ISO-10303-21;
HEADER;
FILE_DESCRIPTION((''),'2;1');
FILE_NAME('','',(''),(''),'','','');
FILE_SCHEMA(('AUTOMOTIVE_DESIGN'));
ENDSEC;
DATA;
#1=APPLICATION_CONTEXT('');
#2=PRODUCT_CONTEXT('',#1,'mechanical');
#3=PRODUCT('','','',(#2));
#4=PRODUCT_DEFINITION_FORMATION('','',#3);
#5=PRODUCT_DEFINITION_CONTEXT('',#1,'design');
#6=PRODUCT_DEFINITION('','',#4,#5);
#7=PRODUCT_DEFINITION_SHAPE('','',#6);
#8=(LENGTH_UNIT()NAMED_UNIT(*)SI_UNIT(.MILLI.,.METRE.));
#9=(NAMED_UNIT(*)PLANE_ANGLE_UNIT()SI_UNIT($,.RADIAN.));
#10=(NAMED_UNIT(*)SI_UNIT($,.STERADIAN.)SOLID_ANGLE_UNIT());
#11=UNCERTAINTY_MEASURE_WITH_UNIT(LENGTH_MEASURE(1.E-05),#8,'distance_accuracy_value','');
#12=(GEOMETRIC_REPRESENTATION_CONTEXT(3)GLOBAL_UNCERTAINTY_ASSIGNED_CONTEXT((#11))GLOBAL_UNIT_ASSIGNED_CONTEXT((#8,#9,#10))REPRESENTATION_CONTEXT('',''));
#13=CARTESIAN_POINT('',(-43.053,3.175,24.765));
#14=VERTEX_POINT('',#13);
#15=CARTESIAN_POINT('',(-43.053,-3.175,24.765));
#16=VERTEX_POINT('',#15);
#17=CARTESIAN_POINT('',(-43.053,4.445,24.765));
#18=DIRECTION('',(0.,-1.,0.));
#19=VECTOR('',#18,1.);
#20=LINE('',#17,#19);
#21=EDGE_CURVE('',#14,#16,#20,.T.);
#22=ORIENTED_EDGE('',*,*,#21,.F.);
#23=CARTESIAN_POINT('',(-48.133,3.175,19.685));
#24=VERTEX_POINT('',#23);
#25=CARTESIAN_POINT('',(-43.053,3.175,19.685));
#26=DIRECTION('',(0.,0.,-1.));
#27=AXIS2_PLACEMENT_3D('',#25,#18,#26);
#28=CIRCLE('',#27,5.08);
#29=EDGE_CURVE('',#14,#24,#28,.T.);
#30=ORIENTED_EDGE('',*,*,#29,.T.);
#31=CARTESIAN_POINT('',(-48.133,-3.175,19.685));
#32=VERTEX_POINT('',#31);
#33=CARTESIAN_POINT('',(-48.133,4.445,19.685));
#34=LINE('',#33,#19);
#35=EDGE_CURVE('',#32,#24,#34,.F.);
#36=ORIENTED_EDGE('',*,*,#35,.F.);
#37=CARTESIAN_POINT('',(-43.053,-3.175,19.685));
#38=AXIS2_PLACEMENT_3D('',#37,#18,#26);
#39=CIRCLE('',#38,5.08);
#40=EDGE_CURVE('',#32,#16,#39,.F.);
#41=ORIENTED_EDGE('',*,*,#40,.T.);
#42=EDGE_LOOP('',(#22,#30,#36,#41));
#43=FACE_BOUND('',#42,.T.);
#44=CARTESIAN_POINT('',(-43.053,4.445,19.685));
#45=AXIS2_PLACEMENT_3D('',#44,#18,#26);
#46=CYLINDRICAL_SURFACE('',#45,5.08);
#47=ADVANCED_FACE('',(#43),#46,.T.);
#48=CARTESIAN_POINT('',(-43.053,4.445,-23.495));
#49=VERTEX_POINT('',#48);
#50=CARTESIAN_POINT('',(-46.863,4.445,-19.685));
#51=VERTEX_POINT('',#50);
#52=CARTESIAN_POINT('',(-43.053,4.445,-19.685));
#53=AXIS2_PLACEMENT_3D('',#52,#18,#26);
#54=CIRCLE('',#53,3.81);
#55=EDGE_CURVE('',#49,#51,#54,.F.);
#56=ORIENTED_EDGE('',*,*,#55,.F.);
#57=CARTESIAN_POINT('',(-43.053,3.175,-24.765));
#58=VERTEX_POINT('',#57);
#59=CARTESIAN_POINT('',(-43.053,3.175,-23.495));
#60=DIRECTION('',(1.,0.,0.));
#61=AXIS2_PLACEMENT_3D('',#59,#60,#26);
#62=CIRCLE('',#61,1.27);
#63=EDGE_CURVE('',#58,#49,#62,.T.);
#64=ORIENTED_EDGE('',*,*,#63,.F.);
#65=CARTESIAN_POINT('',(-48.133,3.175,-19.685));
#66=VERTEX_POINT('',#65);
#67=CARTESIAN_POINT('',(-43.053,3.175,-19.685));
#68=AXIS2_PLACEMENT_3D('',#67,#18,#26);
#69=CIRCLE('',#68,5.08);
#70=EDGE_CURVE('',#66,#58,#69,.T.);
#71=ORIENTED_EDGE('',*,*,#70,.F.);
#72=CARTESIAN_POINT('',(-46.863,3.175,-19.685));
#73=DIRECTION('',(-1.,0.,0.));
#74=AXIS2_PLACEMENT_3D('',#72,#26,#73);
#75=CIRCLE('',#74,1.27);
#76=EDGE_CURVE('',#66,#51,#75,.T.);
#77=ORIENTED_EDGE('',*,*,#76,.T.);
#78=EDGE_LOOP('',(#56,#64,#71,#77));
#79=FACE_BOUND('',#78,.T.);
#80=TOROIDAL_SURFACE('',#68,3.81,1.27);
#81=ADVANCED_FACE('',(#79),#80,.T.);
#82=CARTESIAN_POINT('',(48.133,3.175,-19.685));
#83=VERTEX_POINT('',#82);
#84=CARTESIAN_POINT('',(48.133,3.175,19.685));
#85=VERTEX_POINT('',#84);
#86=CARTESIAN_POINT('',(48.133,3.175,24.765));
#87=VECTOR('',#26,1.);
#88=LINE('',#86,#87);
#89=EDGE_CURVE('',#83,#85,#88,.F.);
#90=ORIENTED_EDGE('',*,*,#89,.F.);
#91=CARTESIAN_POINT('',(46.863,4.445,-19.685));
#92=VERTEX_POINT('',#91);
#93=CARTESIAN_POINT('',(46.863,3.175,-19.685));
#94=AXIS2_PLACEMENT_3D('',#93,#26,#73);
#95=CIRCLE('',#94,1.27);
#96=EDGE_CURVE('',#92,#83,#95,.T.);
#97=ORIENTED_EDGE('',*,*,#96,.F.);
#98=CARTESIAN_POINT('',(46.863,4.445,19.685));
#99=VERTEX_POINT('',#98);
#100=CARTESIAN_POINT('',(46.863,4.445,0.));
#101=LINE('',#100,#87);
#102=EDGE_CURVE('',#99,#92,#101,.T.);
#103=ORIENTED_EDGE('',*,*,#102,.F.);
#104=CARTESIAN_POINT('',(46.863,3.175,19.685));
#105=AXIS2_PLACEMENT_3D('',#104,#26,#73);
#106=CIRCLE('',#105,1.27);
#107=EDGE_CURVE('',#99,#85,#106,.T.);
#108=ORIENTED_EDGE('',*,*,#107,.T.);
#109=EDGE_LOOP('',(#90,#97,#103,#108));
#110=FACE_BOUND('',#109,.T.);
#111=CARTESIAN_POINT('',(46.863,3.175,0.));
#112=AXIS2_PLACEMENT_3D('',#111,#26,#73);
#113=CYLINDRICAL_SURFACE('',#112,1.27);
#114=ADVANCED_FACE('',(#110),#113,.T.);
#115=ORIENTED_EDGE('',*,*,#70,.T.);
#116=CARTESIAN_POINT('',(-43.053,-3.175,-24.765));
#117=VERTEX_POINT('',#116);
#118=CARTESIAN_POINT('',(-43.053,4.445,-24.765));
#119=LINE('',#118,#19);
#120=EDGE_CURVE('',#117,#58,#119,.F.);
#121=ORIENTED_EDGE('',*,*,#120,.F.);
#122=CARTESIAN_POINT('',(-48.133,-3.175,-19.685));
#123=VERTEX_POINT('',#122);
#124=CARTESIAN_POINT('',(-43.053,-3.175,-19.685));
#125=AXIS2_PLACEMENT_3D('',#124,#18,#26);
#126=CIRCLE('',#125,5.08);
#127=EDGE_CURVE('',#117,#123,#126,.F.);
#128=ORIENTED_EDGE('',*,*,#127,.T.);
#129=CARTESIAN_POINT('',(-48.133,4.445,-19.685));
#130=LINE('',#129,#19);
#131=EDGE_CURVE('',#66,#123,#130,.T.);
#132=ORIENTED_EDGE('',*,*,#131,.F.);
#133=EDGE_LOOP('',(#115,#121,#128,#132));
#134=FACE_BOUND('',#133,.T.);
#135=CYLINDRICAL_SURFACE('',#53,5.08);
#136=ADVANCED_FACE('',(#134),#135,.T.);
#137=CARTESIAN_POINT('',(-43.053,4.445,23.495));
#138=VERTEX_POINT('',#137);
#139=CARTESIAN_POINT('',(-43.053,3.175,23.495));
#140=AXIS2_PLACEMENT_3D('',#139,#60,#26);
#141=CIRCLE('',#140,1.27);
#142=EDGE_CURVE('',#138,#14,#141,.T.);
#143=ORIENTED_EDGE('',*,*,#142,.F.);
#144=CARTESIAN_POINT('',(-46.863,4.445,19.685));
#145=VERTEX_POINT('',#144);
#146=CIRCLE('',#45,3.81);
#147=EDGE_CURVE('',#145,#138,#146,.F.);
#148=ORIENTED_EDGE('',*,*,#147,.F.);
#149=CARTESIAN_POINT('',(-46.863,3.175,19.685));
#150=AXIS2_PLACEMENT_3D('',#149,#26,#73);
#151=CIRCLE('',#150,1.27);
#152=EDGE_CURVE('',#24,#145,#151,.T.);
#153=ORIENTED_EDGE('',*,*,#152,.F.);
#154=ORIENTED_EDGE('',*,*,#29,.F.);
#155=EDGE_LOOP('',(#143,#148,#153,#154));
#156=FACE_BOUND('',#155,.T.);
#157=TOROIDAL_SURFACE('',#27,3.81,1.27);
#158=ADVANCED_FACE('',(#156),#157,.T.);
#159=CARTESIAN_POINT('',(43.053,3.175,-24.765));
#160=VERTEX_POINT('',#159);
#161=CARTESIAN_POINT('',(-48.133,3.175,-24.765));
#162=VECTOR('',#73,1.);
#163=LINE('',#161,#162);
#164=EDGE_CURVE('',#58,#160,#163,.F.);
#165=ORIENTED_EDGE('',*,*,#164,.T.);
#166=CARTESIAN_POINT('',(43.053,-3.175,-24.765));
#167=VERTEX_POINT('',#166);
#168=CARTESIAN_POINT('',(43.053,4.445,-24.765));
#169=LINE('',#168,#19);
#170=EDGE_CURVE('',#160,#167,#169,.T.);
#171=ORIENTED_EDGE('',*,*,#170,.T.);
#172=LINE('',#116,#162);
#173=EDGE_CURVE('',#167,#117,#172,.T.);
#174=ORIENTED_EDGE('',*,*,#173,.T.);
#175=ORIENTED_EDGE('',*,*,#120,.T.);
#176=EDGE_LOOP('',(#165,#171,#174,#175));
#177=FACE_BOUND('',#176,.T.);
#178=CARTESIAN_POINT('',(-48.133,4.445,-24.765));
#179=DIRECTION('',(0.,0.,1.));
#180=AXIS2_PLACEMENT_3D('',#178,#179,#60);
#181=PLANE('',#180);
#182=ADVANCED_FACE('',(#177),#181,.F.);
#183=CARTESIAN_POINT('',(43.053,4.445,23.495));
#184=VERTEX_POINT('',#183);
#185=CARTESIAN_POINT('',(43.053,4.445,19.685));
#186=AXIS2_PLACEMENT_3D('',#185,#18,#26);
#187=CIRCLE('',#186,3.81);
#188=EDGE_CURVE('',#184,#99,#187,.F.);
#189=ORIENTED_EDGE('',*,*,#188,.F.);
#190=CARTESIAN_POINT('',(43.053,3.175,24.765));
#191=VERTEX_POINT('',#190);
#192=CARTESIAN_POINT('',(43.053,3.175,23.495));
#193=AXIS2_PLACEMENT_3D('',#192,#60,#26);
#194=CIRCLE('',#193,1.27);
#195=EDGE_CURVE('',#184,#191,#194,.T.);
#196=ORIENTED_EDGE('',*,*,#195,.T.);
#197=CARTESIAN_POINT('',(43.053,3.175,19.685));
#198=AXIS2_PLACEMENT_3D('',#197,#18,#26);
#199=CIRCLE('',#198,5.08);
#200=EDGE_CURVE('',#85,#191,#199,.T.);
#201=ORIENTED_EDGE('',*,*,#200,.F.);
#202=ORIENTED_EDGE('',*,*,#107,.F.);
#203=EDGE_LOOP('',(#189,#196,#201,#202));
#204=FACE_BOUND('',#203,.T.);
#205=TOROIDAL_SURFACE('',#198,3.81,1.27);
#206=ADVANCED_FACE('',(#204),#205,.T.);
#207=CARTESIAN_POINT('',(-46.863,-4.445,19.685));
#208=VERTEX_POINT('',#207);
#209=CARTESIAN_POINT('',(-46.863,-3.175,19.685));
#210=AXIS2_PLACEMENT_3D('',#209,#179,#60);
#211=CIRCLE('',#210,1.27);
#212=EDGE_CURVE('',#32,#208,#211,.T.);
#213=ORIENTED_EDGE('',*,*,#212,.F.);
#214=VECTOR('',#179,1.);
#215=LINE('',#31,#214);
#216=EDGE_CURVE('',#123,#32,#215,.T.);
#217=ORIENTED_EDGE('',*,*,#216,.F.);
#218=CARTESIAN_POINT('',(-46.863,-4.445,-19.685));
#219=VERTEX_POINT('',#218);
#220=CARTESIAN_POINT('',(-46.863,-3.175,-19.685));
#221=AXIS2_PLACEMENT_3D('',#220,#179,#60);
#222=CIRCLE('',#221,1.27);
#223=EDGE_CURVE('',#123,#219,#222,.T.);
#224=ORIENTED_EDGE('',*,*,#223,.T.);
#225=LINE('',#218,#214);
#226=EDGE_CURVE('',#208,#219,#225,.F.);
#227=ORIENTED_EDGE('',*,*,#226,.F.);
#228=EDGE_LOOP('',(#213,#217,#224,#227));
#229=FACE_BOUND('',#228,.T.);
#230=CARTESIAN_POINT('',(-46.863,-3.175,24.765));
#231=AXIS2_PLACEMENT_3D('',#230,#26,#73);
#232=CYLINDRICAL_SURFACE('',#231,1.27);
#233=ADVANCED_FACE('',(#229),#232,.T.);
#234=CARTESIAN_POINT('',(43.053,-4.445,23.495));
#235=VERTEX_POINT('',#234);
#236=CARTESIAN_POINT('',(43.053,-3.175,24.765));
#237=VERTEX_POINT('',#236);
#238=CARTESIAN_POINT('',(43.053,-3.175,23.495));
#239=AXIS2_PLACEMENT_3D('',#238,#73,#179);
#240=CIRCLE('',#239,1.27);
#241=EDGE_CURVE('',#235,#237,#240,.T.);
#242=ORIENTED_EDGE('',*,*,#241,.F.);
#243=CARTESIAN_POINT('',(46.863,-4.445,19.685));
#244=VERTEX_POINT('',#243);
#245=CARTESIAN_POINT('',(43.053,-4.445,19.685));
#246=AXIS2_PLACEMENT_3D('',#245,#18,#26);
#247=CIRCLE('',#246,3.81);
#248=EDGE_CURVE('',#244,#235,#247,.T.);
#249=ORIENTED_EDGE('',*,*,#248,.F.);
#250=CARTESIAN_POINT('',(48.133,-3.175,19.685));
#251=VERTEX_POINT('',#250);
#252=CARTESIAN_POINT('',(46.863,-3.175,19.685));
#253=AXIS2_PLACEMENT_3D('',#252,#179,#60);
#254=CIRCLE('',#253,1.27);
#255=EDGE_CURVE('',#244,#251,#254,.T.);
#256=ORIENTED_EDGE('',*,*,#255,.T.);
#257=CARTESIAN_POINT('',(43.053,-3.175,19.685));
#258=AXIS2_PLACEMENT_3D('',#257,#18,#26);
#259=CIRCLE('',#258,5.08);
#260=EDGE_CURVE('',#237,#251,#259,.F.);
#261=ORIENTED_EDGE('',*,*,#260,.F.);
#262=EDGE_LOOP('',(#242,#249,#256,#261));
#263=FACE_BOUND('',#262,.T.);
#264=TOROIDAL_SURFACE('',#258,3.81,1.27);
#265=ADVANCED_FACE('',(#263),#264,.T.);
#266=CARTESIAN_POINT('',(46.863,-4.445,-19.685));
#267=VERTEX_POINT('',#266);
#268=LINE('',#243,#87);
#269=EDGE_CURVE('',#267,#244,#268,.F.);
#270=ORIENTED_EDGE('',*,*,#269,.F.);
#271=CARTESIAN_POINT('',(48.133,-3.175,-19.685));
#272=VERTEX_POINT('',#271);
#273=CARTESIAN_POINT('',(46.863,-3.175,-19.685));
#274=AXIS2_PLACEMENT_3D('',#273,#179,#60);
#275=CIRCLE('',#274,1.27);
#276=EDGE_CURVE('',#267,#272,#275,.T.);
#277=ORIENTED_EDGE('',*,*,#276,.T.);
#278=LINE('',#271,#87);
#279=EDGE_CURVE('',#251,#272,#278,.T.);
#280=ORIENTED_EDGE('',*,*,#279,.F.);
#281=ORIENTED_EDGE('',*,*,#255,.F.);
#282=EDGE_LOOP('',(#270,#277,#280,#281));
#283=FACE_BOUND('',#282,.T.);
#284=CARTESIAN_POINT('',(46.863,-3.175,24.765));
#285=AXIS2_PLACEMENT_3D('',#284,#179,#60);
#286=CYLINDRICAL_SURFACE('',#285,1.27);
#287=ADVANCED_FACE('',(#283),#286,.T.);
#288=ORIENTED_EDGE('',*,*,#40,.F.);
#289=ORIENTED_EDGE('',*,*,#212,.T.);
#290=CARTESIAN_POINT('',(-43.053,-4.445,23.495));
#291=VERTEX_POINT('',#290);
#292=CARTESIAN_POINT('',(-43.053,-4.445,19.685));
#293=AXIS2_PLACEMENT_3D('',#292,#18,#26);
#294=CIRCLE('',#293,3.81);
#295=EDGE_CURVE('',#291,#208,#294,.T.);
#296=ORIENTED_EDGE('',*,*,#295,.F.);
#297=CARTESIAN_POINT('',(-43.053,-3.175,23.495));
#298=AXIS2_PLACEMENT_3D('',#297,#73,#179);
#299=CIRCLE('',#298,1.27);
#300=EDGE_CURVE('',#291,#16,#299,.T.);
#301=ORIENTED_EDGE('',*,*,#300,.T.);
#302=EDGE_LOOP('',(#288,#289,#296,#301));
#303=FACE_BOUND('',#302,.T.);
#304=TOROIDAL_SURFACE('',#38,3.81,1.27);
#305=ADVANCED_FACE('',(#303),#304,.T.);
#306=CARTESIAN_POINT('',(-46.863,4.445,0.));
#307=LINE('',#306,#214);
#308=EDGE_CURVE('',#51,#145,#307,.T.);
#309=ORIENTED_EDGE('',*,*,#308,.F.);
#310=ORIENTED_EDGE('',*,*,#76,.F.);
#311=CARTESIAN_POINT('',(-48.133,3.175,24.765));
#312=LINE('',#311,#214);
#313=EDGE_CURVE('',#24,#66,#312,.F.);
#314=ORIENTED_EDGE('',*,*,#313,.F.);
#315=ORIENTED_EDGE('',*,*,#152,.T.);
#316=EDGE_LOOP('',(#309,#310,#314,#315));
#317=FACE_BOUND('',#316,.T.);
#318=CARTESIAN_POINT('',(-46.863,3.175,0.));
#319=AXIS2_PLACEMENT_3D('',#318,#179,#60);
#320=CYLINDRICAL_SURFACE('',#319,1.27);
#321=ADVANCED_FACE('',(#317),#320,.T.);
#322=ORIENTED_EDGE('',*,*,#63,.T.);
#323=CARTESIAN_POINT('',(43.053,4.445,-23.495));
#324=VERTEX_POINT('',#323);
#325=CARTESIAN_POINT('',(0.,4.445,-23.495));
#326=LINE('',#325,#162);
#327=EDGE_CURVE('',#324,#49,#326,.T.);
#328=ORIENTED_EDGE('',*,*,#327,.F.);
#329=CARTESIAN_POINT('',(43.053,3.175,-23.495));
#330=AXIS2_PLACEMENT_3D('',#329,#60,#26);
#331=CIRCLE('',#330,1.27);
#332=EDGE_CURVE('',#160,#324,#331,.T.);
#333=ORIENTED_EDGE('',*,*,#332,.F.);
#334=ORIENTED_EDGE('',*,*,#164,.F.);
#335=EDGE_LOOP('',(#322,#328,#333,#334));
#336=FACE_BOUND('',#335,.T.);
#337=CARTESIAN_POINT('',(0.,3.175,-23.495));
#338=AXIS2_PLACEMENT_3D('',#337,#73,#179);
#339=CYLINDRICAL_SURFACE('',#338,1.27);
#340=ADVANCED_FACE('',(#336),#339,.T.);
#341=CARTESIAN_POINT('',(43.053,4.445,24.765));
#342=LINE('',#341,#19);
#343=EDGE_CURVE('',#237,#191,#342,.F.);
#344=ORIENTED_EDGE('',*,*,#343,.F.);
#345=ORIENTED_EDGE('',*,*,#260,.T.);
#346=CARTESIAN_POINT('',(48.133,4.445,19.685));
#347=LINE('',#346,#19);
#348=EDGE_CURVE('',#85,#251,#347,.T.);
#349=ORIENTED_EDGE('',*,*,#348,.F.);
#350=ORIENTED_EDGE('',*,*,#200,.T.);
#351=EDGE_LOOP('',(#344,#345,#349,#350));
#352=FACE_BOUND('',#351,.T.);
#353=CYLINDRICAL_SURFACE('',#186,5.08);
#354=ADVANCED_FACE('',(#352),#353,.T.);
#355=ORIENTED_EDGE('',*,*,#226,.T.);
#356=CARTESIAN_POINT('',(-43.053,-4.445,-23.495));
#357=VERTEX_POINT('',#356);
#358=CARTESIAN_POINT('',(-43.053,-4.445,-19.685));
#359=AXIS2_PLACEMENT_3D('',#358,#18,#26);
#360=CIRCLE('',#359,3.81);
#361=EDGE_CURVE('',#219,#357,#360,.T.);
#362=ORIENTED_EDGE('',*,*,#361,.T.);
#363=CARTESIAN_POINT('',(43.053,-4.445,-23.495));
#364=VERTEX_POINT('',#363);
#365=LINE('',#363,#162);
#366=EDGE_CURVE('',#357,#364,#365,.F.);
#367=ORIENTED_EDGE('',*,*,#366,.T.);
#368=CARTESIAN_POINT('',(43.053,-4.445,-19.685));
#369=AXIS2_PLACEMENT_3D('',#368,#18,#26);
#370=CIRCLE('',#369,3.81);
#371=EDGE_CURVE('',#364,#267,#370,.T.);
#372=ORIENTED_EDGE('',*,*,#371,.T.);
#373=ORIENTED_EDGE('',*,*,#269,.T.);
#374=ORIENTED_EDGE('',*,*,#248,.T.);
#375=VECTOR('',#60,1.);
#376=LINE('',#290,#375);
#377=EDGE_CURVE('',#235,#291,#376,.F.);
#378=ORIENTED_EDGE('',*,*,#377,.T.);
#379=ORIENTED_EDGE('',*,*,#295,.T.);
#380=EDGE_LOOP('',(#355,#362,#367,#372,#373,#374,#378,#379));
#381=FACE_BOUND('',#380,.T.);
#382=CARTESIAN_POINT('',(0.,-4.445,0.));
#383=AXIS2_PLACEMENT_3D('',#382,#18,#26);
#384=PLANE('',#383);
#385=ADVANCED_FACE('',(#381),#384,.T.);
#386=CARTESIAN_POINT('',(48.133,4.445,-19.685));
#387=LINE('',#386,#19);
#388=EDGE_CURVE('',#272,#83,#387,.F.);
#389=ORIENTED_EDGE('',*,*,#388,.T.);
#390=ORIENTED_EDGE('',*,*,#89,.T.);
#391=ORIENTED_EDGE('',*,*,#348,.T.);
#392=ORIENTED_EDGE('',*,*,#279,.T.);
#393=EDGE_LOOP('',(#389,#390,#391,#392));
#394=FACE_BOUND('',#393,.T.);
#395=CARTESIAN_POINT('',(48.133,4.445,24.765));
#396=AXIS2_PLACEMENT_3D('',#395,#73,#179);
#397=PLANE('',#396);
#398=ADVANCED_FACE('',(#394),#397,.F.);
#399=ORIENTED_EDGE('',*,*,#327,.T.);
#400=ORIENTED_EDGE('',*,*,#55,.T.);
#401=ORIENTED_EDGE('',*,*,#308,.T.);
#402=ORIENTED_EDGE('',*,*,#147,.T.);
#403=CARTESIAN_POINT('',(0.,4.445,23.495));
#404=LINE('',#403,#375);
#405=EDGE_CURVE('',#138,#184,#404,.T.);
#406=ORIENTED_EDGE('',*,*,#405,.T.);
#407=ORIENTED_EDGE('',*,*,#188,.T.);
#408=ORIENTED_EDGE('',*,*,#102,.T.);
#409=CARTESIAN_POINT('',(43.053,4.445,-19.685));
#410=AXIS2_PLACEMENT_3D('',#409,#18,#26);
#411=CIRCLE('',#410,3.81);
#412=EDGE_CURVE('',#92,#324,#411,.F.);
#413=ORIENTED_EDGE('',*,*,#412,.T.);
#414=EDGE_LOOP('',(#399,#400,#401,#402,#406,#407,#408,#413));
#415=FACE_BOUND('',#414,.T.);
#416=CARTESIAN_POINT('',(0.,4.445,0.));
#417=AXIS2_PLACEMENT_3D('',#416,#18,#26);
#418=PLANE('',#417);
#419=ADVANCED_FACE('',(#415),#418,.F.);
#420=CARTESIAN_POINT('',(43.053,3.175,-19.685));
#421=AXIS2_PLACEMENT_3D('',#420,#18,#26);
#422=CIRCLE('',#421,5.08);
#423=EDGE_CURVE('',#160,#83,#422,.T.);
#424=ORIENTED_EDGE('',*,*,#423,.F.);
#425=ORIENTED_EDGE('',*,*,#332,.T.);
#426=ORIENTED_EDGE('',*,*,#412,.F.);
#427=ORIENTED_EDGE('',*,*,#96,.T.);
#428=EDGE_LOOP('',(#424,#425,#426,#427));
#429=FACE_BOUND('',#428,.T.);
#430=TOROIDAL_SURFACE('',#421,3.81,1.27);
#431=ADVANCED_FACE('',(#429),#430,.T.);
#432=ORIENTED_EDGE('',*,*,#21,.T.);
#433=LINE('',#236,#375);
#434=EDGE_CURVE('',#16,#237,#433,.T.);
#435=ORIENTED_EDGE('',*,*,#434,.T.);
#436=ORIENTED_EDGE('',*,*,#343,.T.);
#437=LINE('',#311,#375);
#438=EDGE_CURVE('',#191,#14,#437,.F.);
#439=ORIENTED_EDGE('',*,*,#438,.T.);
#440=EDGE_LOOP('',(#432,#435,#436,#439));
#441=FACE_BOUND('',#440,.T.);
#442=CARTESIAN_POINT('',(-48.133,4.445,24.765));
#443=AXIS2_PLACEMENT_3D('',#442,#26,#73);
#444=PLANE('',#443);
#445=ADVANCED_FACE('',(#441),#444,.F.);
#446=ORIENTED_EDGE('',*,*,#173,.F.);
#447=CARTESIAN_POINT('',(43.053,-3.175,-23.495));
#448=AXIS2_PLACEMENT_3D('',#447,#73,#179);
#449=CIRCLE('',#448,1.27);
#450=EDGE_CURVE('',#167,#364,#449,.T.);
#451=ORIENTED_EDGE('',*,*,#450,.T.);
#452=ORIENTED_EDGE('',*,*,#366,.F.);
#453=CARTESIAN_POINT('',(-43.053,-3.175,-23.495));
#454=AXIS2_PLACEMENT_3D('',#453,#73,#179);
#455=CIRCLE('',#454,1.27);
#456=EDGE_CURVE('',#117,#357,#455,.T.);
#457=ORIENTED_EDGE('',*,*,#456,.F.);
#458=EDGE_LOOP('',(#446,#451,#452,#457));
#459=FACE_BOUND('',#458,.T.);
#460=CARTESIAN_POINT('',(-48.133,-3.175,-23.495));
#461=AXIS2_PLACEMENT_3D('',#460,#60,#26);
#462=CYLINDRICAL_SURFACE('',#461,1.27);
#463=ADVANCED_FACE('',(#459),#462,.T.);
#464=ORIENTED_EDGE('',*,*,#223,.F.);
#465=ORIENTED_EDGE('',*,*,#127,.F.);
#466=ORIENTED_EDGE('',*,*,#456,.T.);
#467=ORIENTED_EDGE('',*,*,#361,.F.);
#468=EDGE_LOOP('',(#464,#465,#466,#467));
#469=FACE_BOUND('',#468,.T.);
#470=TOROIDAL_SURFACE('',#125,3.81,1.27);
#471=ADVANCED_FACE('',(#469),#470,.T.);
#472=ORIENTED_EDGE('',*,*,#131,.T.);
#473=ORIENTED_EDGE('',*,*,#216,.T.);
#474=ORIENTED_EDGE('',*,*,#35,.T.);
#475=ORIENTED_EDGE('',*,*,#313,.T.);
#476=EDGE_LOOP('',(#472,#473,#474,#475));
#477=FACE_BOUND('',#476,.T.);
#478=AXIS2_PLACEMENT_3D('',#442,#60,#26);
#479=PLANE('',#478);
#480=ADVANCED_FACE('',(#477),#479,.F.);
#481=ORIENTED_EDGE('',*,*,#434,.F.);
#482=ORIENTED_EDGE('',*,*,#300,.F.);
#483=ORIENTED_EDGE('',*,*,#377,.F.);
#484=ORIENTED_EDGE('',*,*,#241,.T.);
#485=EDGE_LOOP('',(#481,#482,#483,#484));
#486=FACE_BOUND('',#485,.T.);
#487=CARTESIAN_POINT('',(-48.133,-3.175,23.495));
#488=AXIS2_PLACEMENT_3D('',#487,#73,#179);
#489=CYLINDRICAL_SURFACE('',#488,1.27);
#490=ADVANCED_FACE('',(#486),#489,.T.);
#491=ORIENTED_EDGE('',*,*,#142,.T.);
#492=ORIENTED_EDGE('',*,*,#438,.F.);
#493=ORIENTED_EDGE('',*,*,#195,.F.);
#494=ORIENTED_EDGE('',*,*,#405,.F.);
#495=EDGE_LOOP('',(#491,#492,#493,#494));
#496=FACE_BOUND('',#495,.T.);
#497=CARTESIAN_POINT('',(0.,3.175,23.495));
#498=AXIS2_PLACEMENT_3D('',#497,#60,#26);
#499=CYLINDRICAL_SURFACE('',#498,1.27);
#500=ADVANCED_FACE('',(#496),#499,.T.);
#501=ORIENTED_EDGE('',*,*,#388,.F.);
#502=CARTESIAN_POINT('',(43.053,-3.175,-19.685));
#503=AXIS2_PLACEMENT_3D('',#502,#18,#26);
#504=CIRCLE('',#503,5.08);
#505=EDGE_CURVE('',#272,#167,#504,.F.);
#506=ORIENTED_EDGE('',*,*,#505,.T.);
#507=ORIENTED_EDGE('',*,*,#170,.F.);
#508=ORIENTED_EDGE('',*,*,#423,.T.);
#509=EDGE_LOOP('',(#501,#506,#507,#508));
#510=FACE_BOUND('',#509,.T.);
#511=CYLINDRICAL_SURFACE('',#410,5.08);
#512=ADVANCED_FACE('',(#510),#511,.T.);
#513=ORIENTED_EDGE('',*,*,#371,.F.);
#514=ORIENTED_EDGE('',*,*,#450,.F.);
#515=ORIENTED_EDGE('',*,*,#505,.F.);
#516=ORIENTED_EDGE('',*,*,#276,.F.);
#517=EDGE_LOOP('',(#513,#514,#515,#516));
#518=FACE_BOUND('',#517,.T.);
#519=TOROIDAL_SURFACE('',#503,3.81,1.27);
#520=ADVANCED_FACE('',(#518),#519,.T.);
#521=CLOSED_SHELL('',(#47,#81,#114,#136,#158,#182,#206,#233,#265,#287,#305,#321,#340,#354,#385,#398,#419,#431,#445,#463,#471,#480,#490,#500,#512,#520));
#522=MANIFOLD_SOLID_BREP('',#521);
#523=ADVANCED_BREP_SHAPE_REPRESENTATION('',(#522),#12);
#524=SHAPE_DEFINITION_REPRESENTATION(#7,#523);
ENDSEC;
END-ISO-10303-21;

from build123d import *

# Parameters (mm, degrees)
SKETCH1_W           = 96.266
SKETCH1_H           = 49.53
BOSS_EXTRUDE1_DEPTH = 4.445
FILLET1_R           = 5.08
FILLET2_R           = 1.27


with BuildPart() as part:
    # Sketch1 → Boss-Extrude1 (new, symmetric)
    with BuildSketch(Plane(origin=(0, 0, 0), x_dir=(1, 0, 0), z_dir=(0, 1, 0))):
        Rectangle(SKETCH1_W, SKETCH1_H)
    extrude(amount=BOSS_EXTRUDE1_DEPTH, both=True)

    # Fillet1
    fillet1_edges = [part.edges().sort_by_distance(p)[0] for p in [
        (48.133, 0, 24.765),
        (-48.133, 0, 24.765),
        (-48.133, 0, -24.765),
        (48.133, 0, -24.765),
    ]]
    fillet(fillet1_edges, radius=FILLET1_R)

    # Fillet2
    fillet2_edges = [part.edges().sort_by_distance(p)[0] for p in [
        (-48.133, -4.445, 0),
        (-48.133, 4.445, 0),
        (48.133, -4.445, 0),
        (0, -4.445, 24.765),
        (0, -4.445, -24.765),
        (46.645102448, -4.445, 23.277102448),
        (46.645102448, -4.445, -23.277102448),
        (-46.645102448, -4.445, 23.277102448),
        (-46.645102448, -4.445, -23.277102448),
        (0, 4.445, -24.765),
        (48.133, 4.445, 0),
        (0, 4.445, 24.765),
        (46.645102448, 4.445, 23.277102448),
        (46.645102448, 4.445, -23.277102448),
        (-46.645102448, 4.445, 23.277102448),
        (-46.645102448, 4.445, -23.277102448),
    ]]
    fillet(fillet2_edges, radius=FILLET2_R)


solid = part.part
